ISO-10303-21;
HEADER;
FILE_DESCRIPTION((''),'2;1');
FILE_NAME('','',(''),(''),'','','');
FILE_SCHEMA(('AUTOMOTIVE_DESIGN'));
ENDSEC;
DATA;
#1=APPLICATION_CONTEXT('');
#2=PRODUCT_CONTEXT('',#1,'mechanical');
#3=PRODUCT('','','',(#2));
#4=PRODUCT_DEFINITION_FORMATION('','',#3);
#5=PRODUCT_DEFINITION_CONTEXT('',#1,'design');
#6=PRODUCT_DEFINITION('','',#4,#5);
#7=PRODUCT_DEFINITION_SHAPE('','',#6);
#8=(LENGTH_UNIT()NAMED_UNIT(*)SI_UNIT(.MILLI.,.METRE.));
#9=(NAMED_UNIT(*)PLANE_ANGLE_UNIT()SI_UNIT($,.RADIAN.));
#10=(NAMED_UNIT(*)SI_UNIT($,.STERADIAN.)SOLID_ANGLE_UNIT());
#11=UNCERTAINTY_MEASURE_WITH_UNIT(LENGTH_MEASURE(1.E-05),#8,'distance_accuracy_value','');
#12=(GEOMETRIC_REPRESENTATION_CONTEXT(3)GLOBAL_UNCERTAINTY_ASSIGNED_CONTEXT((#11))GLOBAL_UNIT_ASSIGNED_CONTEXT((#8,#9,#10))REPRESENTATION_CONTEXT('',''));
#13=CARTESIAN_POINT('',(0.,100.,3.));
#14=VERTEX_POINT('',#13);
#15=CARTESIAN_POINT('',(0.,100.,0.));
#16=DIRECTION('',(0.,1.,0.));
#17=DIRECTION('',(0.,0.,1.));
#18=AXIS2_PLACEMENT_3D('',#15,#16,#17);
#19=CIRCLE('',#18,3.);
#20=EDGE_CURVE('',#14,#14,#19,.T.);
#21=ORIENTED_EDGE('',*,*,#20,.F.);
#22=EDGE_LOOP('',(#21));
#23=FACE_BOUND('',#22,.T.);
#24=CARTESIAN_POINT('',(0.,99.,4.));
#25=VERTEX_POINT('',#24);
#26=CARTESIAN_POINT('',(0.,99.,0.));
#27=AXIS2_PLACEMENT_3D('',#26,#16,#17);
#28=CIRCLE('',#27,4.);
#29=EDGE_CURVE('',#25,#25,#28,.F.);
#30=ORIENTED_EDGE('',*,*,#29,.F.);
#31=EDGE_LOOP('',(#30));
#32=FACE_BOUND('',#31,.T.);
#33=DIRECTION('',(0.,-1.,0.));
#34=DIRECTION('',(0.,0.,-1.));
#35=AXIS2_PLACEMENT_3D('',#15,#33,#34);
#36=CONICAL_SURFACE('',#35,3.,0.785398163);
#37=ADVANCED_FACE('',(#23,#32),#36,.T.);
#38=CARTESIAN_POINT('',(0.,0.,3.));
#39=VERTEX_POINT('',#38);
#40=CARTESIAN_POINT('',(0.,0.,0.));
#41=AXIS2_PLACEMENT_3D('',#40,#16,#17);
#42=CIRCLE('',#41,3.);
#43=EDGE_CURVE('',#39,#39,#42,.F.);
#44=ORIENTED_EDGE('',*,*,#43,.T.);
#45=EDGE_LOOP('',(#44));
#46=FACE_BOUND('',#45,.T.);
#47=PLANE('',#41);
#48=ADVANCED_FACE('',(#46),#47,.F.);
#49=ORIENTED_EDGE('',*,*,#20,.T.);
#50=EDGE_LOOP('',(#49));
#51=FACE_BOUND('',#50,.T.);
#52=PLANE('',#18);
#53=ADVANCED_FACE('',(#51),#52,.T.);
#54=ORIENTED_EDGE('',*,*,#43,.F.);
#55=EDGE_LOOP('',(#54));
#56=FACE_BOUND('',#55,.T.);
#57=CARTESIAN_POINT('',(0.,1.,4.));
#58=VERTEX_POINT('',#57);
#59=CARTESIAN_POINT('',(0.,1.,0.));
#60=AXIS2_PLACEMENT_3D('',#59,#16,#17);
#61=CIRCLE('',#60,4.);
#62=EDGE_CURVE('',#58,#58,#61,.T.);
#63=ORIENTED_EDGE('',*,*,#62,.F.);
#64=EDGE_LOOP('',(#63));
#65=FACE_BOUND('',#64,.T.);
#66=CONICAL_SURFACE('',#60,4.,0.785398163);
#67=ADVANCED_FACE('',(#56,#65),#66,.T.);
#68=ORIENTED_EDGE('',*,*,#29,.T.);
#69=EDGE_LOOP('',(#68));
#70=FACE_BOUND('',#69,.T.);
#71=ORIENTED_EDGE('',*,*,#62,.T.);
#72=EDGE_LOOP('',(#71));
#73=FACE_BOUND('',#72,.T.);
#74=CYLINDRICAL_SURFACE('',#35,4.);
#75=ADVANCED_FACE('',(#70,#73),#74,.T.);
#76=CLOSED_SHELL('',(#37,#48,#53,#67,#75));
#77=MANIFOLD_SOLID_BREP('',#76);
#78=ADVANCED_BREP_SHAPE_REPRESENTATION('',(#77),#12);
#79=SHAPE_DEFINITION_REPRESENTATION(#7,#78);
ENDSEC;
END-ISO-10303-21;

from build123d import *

# Parameters (mm, degrees)
SKETCH1_R           = 4
BOSS_EXTRUDE1_DEPTH = 100
CHAMFER1_SIZE       = 1


with BuildPart() as part:
    # Sketch1 → Boss-Extrude1 (new body)
    with BuildSketch(Plane(origin=(0, 0, 0), x_dir=(1, 0, 0), z_dir=(0, 1, 0))):
        Circle(SKETCH1_R)
    extrude(amount=BOSS_EXTRUDE1_DEPTH)

    # Chamfer1
    chamfer1_edges = [part.edges().sort_by_distance(p)[0] for p in [
        (-4, 0, 0),
        (-4, 100, 0),
    ]]
    chamfer(chamfer1_edges, length=CHAMFER1_SIZE)


solid = part.part
